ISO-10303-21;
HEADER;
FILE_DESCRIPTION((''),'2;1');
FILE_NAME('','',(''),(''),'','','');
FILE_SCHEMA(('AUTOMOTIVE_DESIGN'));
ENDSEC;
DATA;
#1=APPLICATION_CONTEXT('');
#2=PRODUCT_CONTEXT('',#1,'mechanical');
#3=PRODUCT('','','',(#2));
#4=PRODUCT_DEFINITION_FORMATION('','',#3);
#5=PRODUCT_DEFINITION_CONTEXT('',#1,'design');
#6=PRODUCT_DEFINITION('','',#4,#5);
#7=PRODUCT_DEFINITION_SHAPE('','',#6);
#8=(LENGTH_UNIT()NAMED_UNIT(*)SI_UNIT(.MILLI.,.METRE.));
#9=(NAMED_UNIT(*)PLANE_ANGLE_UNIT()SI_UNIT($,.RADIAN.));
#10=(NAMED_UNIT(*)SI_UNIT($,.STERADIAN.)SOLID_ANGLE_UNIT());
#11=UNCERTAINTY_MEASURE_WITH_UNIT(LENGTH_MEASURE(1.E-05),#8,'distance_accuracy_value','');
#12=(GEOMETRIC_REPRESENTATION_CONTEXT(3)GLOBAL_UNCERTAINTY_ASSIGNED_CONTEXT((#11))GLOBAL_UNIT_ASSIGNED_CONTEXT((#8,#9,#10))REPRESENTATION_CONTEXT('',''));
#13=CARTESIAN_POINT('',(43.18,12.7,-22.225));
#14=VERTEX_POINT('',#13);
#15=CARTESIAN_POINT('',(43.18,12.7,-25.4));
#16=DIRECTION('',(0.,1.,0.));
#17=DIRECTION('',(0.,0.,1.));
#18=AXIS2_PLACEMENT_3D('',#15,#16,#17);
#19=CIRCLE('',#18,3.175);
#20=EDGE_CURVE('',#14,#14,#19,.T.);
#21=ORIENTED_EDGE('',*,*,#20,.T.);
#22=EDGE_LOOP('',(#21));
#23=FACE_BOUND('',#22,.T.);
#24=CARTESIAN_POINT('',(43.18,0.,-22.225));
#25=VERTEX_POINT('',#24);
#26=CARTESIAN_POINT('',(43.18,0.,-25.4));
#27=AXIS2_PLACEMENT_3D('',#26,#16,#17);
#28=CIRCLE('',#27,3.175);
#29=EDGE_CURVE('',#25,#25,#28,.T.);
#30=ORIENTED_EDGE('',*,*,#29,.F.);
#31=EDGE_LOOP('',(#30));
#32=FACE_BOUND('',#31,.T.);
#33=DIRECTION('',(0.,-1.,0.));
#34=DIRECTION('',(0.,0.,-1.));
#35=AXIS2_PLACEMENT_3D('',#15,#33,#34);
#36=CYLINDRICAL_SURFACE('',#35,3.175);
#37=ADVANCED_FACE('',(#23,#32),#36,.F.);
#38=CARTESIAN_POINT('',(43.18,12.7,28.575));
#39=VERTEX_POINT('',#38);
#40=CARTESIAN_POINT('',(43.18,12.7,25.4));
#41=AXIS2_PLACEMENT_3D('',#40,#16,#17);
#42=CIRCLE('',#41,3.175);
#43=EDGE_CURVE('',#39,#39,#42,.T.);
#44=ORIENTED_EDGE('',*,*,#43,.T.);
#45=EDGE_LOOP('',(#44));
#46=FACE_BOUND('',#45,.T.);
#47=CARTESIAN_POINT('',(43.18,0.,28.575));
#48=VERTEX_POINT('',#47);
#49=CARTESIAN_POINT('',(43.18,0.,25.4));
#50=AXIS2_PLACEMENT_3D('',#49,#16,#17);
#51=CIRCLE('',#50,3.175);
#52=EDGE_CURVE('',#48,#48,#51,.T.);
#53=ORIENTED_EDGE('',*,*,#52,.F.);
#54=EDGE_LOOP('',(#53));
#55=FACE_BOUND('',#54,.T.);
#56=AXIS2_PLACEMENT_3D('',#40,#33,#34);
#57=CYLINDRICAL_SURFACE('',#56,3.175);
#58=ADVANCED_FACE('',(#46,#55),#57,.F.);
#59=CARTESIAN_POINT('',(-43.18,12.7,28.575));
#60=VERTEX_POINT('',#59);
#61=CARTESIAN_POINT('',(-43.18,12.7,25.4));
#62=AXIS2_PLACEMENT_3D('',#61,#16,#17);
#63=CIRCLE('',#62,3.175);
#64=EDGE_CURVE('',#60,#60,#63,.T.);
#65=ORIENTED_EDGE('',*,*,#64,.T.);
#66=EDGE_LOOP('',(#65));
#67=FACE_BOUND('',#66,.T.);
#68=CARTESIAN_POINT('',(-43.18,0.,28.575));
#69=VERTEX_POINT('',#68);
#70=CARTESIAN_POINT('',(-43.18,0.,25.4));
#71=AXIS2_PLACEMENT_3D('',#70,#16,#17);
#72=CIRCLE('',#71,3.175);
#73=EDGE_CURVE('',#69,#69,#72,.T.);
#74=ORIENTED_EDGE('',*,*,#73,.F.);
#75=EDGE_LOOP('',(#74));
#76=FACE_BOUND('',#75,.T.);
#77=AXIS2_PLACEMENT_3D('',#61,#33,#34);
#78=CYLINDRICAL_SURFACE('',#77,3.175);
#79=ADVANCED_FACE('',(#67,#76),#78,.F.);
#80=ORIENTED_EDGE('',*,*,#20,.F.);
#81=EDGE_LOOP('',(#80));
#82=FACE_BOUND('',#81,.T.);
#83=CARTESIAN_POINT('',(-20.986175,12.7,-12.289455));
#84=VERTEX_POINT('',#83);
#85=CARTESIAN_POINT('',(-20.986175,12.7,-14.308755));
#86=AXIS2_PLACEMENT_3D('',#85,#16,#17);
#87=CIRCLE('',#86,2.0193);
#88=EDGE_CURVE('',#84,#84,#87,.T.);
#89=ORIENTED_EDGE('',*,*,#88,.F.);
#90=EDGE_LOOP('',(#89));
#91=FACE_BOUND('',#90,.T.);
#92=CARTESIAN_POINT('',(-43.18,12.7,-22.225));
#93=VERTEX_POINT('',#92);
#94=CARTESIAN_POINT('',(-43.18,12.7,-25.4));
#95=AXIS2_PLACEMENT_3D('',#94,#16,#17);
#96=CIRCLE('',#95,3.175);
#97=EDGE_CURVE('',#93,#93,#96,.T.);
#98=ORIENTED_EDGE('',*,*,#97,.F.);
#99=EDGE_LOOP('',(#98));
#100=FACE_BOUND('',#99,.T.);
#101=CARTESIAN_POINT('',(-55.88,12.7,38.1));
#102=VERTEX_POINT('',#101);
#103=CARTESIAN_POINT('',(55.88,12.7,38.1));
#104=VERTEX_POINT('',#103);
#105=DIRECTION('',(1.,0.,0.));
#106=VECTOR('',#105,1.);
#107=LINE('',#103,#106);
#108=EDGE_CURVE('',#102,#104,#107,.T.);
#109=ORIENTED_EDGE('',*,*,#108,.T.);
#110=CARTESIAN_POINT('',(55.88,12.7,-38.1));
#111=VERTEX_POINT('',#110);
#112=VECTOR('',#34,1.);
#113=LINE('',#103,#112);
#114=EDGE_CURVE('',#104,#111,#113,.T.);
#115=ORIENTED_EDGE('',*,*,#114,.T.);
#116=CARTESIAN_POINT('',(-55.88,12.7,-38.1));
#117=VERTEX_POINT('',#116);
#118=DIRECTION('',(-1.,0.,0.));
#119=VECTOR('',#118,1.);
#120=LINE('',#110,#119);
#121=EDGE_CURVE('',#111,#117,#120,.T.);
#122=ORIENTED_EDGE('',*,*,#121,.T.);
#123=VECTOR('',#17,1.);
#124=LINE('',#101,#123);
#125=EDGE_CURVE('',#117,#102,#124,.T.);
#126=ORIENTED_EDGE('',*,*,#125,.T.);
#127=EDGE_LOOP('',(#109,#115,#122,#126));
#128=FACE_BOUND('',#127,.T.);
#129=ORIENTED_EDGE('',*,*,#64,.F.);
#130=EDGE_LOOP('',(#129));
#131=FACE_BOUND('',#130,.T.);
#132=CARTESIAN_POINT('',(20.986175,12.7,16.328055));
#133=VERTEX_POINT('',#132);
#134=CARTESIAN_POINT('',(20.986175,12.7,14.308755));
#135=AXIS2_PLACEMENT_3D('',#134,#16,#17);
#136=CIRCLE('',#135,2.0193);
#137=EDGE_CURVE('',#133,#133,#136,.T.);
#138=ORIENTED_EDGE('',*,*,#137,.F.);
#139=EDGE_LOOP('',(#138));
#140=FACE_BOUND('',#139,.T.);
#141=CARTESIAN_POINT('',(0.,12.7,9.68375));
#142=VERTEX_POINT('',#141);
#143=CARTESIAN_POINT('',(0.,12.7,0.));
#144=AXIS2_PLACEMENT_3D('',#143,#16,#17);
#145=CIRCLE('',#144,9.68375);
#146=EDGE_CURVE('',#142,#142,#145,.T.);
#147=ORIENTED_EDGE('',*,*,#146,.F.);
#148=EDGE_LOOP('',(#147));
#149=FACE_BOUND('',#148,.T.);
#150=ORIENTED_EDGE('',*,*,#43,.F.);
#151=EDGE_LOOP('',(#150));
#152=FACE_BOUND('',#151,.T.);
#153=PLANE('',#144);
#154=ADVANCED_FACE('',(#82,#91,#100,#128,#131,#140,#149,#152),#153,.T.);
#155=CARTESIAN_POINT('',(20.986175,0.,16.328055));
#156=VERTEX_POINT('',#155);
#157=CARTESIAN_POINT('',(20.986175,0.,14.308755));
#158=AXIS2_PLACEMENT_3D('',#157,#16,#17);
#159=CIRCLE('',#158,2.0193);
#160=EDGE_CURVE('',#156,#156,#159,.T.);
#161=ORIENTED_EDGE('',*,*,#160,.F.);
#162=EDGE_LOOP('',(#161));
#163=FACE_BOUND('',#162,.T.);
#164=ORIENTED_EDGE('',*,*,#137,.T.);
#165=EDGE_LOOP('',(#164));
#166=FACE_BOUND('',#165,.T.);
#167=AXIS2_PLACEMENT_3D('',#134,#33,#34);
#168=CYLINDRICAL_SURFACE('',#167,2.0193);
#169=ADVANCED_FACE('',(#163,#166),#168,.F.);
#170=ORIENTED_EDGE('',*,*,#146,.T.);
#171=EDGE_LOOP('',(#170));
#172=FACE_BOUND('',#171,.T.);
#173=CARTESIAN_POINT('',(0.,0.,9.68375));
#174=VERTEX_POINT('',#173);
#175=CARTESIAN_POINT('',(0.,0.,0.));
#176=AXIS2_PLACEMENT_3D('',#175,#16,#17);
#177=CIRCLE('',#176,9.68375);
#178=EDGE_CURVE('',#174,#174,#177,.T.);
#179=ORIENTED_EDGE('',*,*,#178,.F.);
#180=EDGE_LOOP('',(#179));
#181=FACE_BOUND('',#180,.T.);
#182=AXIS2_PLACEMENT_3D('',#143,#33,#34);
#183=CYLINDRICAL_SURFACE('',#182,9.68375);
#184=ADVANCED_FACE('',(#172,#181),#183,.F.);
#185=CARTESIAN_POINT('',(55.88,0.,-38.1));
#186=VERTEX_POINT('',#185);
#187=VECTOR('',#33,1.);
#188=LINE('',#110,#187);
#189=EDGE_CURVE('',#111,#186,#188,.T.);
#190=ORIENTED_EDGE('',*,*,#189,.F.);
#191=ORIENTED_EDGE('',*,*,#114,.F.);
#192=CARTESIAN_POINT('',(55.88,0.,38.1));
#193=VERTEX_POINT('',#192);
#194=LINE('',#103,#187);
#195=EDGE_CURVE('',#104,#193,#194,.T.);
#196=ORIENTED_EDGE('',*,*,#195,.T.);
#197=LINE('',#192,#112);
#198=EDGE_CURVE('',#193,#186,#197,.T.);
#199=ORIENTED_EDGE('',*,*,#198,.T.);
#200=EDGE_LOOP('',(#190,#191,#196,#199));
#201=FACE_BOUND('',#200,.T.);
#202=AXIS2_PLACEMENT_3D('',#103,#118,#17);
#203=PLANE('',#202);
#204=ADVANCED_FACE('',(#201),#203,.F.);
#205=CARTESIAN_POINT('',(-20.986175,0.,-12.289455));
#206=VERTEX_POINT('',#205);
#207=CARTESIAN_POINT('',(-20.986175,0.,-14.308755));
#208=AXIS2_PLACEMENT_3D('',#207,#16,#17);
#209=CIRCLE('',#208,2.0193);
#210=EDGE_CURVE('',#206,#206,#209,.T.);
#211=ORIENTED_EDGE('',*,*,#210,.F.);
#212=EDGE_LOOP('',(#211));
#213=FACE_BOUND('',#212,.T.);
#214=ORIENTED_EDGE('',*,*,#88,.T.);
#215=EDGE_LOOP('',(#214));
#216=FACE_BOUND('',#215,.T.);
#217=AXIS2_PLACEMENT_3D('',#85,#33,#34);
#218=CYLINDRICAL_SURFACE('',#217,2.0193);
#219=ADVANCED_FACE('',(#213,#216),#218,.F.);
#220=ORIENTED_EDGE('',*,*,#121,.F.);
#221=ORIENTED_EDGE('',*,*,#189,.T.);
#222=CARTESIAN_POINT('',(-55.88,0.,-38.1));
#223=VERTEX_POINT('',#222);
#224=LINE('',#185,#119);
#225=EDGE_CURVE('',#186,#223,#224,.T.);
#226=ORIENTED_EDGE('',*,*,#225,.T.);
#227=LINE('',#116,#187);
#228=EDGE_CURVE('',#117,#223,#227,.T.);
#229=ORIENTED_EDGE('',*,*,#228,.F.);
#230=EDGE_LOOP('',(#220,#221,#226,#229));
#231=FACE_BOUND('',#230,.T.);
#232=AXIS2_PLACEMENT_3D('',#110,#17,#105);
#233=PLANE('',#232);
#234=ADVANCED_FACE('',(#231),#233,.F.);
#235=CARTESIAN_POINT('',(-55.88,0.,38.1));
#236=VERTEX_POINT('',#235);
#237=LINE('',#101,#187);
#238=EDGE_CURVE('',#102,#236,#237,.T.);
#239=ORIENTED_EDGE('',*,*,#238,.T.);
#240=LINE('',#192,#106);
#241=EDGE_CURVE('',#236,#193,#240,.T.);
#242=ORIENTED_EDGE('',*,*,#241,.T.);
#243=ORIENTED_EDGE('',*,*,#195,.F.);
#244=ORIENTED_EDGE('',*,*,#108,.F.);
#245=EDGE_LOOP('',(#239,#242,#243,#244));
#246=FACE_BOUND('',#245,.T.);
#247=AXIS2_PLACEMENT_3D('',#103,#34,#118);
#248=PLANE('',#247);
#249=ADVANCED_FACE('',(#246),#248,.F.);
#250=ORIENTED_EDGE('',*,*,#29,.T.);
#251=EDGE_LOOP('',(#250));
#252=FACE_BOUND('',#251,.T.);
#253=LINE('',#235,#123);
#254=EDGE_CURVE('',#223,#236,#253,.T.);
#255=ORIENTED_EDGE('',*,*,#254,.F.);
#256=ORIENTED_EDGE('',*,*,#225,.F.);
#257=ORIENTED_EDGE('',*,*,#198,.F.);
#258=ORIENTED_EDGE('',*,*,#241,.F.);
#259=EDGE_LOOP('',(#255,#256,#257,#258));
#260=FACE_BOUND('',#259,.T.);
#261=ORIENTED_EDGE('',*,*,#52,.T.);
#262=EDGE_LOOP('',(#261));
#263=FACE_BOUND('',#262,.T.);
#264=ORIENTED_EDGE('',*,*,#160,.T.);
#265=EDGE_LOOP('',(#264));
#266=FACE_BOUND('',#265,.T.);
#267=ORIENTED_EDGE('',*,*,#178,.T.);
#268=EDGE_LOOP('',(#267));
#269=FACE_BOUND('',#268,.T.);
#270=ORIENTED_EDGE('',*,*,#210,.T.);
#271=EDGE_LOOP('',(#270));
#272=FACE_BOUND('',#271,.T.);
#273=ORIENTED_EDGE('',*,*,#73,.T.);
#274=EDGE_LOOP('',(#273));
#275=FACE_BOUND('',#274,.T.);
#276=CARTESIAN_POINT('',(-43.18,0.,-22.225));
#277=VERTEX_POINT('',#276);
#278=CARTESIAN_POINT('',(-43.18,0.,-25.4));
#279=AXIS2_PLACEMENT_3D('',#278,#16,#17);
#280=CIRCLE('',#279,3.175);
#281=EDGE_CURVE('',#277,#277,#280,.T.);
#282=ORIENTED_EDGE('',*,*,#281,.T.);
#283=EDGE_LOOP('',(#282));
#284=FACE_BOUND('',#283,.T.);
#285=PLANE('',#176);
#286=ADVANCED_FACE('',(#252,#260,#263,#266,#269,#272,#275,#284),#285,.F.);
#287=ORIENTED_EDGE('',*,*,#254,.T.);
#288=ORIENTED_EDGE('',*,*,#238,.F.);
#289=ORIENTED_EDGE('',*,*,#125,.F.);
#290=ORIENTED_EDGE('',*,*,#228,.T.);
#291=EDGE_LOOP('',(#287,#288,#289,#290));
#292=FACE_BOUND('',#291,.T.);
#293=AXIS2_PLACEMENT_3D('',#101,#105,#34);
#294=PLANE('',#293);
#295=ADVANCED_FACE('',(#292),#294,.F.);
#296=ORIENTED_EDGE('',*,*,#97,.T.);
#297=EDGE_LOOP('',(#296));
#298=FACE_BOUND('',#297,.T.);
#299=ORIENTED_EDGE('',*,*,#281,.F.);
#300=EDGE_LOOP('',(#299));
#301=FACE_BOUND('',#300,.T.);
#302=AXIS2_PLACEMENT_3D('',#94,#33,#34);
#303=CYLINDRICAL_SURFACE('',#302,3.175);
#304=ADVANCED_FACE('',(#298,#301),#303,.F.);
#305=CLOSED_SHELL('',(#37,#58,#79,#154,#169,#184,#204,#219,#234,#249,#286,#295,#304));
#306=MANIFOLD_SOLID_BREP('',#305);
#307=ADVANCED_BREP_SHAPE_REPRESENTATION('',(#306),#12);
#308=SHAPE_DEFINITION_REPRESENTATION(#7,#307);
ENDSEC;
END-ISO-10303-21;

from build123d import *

# Parameters (mm, degrees)
SKETCH1_W           = 111.76
SKETCH1_H           = 76.2
SKETCH1_R           = 9.68375
SKETCH1_R_2         = 2.0193
SKETCH1_R_3         = 3.175
BOSS_EXTRUDE1_DEPTH = 12.7


with BuildPart() as part:
    # Sketch1 → Boss-Extrude1 (new body)
    with BuildSketch(Plane(origin=(0, 0, 0), x_dir=(1, 0, 0), z_dir=(0, 1, 0))):
        Rectangle(SKETCH1_W, SKETCH1_H)
        Circle(SKETCH1_R, mode=Mode.SUBTRACT)
        with Locations((-20.986174507, 14.308755346)):
            Circle(SKETCH1_R_2, mode=Mode.SUBTRACT)
        with Locations((20.986174507, -14.308755346)):
            Circle(SKETCH1_R_2, mode=Mode.SUBTRACT)
        with Locations((-43.18, 25.4)):
            Circle(SKETCH1_R_3, mode=Mode.SUBTRACT)
        with Locations((-43.18, -25.4)):
            Circle(SKETCH1_R_3, mode=Mode.SUBTRACT)
        with Locations((43.18, -25.4)):
            Circle(SKETCH1_R_3, mode=Mode.SUBTRACT)
        with Locations((43.18, 25.4)):
            Circle(SKETCH1_R_3, mode=Mode.SUBTRACT)
    extrude(amount=BOSS_EXTRUDE1_DEPTH)


solid = part.part
